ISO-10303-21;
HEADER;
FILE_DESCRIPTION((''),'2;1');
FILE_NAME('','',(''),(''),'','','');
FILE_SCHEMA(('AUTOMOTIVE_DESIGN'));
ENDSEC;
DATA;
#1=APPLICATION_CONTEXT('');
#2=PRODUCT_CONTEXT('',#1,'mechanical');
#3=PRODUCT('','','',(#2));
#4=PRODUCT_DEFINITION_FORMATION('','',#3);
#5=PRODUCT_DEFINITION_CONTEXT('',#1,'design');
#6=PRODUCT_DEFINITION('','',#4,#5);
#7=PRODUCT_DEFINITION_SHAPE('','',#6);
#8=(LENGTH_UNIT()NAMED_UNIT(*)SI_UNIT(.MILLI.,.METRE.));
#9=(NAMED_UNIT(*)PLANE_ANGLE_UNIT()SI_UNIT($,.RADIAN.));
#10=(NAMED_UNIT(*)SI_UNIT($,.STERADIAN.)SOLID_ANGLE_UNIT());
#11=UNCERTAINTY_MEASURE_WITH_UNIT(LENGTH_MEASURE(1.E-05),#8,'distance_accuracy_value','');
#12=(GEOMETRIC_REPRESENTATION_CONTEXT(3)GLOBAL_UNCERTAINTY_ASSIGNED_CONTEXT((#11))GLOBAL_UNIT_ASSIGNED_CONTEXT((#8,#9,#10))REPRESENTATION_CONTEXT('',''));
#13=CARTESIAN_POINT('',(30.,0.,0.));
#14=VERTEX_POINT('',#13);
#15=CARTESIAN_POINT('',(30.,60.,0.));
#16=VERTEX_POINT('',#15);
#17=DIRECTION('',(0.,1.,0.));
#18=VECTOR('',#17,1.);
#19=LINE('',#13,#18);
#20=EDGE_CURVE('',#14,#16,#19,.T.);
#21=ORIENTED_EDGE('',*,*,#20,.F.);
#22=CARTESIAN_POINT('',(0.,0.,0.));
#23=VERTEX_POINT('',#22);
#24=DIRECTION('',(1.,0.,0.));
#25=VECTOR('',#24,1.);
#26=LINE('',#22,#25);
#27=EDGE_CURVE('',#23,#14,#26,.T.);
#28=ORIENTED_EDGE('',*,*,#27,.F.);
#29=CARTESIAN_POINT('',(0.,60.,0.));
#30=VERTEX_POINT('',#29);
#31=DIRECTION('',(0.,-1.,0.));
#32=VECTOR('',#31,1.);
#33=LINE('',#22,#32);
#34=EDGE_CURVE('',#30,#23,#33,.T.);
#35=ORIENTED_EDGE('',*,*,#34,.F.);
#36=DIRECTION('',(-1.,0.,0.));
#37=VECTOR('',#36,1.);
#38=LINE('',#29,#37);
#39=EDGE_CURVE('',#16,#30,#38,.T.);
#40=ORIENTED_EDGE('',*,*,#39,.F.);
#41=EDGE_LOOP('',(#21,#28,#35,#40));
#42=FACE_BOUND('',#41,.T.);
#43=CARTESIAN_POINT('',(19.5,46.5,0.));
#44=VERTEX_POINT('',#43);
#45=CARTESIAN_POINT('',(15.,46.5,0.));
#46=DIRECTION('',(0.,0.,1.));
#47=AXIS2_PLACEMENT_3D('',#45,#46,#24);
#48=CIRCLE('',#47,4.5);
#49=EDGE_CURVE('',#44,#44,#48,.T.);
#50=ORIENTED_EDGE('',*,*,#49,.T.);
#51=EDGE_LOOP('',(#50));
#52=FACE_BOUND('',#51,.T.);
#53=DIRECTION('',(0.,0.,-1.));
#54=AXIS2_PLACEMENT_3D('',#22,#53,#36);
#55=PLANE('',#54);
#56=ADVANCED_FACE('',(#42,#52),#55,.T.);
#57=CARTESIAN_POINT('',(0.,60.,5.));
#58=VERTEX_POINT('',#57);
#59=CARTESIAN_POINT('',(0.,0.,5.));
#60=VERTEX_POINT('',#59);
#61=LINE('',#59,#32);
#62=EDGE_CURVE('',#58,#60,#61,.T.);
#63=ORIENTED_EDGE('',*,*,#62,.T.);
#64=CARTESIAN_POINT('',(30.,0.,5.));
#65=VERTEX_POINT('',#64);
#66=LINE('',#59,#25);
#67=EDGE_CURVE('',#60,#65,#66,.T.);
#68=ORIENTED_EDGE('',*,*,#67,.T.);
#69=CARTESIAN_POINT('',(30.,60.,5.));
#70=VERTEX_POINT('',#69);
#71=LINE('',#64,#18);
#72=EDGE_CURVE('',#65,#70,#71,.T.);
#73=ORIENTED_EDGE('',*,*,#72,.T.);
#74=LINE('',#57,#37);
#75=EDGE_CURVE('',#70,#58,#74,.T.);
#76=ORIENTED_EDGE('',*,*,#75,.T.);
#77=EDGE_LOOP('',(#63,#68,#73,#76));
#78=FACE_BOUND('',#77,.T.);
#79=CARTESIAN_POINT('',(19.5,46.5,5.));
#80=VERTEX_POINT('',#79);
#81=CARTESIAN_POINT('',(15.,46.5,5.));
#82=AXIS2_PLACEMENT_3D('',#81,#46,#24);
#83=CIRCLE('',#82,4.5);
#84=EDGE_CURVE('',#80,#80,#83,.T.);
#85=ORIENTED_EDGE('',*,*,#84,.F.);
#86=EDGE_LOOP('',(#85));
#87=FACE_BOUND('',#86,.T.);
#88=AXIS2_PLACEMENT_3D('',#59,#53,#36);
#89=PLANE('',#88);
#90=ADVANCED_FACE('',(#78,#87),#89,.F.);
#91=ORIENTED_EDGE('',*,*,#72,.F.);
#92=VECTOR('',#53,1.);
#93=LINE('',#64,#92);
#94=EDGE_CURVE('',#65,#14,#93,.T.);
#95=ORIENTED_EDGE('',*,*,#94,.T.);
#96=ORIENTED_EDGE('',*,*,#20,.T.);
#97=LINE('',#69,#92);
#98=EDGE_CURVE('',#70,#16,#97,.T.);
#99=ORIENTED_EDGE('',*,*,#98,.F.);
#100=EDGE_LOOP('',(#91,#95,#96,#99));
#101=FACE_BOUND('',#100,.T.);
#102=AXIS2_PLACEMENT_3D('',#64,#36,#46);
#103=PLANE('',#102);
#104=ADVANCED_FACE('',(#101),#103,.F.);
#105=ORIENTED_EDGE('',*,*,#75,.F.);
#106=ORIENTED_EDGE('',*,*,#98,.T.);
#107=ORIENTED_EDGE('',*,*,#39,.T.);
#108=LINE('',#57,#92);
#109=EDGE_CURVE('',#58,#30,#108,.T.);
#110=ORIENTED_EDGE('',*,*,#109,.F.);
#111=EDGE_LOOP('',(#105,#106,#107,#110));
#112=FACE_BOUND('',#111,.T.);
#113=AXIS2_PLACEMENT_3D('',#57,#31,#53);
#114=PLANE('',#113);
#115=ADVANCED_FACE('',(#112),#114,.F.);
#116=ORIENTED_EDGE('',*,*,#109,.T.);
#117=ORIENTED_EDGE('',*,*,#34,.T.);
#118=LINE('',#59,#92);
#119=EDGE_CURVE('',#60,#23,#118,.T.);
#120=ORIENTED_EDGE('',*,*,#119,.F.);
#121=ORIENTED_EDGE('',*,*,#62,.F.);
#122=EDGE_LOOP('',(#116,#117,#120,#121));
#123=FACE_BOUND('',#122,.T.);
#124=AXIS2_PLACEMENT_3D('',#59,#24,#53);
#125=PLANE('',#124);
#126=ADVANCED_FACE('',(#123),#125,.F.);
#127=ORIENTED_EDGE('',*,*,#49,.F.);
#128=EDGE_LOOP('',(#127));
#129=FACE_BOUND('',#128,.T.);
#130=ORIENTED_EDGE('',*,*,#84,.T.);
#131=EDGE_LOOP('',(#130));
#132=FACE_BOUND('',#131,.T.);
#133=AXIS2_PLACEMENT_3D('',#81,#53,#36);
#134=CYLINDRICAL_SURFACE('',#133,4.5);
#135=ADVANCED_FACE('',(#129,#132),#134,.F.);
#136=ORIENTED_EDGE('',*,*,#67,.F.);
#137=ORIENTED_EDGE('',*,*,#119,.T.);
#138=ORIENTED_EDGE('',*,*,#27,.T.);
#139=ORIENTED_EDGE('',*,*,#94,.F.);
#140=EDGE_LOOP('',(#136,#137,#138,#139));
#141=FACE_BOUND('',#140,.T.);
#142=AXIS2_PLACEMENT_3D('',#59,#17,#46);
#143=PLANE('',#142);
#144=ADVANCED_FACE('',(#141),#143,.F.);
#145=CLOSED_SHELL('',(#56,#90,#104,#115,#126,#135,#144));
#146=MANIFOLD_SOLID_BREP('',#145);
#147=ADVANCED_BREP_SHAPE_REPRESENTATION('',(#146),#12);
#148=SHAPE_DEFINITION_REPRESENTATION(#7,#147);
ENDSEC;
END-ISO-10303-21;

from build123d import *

# Parameters (mm, degrees)
SZKIC2_W                    = 30
SZKIC2_H                    = 60
SZKIC2_R                    = 4.5
DODANIE_WYCI_GNI_CIE1_DEPTH = 5


with BuildPart() as part:
    # Szkic2 → Dodanie-wyciągnięcie1 (new body)
    with BuildSketch(Plane.XY):
        with Locations((15, 30)):
            Rectangle(SZKIC2_W, SZKIC2_H)
        with Locations((15, 46.5)):
            Circle(SZKIC2_R, mode=Mode.SUBTRACT)
    extrude(amount=DODANIE_WYCI_GNI_CIE1_DEPTH)


solid = part.part
